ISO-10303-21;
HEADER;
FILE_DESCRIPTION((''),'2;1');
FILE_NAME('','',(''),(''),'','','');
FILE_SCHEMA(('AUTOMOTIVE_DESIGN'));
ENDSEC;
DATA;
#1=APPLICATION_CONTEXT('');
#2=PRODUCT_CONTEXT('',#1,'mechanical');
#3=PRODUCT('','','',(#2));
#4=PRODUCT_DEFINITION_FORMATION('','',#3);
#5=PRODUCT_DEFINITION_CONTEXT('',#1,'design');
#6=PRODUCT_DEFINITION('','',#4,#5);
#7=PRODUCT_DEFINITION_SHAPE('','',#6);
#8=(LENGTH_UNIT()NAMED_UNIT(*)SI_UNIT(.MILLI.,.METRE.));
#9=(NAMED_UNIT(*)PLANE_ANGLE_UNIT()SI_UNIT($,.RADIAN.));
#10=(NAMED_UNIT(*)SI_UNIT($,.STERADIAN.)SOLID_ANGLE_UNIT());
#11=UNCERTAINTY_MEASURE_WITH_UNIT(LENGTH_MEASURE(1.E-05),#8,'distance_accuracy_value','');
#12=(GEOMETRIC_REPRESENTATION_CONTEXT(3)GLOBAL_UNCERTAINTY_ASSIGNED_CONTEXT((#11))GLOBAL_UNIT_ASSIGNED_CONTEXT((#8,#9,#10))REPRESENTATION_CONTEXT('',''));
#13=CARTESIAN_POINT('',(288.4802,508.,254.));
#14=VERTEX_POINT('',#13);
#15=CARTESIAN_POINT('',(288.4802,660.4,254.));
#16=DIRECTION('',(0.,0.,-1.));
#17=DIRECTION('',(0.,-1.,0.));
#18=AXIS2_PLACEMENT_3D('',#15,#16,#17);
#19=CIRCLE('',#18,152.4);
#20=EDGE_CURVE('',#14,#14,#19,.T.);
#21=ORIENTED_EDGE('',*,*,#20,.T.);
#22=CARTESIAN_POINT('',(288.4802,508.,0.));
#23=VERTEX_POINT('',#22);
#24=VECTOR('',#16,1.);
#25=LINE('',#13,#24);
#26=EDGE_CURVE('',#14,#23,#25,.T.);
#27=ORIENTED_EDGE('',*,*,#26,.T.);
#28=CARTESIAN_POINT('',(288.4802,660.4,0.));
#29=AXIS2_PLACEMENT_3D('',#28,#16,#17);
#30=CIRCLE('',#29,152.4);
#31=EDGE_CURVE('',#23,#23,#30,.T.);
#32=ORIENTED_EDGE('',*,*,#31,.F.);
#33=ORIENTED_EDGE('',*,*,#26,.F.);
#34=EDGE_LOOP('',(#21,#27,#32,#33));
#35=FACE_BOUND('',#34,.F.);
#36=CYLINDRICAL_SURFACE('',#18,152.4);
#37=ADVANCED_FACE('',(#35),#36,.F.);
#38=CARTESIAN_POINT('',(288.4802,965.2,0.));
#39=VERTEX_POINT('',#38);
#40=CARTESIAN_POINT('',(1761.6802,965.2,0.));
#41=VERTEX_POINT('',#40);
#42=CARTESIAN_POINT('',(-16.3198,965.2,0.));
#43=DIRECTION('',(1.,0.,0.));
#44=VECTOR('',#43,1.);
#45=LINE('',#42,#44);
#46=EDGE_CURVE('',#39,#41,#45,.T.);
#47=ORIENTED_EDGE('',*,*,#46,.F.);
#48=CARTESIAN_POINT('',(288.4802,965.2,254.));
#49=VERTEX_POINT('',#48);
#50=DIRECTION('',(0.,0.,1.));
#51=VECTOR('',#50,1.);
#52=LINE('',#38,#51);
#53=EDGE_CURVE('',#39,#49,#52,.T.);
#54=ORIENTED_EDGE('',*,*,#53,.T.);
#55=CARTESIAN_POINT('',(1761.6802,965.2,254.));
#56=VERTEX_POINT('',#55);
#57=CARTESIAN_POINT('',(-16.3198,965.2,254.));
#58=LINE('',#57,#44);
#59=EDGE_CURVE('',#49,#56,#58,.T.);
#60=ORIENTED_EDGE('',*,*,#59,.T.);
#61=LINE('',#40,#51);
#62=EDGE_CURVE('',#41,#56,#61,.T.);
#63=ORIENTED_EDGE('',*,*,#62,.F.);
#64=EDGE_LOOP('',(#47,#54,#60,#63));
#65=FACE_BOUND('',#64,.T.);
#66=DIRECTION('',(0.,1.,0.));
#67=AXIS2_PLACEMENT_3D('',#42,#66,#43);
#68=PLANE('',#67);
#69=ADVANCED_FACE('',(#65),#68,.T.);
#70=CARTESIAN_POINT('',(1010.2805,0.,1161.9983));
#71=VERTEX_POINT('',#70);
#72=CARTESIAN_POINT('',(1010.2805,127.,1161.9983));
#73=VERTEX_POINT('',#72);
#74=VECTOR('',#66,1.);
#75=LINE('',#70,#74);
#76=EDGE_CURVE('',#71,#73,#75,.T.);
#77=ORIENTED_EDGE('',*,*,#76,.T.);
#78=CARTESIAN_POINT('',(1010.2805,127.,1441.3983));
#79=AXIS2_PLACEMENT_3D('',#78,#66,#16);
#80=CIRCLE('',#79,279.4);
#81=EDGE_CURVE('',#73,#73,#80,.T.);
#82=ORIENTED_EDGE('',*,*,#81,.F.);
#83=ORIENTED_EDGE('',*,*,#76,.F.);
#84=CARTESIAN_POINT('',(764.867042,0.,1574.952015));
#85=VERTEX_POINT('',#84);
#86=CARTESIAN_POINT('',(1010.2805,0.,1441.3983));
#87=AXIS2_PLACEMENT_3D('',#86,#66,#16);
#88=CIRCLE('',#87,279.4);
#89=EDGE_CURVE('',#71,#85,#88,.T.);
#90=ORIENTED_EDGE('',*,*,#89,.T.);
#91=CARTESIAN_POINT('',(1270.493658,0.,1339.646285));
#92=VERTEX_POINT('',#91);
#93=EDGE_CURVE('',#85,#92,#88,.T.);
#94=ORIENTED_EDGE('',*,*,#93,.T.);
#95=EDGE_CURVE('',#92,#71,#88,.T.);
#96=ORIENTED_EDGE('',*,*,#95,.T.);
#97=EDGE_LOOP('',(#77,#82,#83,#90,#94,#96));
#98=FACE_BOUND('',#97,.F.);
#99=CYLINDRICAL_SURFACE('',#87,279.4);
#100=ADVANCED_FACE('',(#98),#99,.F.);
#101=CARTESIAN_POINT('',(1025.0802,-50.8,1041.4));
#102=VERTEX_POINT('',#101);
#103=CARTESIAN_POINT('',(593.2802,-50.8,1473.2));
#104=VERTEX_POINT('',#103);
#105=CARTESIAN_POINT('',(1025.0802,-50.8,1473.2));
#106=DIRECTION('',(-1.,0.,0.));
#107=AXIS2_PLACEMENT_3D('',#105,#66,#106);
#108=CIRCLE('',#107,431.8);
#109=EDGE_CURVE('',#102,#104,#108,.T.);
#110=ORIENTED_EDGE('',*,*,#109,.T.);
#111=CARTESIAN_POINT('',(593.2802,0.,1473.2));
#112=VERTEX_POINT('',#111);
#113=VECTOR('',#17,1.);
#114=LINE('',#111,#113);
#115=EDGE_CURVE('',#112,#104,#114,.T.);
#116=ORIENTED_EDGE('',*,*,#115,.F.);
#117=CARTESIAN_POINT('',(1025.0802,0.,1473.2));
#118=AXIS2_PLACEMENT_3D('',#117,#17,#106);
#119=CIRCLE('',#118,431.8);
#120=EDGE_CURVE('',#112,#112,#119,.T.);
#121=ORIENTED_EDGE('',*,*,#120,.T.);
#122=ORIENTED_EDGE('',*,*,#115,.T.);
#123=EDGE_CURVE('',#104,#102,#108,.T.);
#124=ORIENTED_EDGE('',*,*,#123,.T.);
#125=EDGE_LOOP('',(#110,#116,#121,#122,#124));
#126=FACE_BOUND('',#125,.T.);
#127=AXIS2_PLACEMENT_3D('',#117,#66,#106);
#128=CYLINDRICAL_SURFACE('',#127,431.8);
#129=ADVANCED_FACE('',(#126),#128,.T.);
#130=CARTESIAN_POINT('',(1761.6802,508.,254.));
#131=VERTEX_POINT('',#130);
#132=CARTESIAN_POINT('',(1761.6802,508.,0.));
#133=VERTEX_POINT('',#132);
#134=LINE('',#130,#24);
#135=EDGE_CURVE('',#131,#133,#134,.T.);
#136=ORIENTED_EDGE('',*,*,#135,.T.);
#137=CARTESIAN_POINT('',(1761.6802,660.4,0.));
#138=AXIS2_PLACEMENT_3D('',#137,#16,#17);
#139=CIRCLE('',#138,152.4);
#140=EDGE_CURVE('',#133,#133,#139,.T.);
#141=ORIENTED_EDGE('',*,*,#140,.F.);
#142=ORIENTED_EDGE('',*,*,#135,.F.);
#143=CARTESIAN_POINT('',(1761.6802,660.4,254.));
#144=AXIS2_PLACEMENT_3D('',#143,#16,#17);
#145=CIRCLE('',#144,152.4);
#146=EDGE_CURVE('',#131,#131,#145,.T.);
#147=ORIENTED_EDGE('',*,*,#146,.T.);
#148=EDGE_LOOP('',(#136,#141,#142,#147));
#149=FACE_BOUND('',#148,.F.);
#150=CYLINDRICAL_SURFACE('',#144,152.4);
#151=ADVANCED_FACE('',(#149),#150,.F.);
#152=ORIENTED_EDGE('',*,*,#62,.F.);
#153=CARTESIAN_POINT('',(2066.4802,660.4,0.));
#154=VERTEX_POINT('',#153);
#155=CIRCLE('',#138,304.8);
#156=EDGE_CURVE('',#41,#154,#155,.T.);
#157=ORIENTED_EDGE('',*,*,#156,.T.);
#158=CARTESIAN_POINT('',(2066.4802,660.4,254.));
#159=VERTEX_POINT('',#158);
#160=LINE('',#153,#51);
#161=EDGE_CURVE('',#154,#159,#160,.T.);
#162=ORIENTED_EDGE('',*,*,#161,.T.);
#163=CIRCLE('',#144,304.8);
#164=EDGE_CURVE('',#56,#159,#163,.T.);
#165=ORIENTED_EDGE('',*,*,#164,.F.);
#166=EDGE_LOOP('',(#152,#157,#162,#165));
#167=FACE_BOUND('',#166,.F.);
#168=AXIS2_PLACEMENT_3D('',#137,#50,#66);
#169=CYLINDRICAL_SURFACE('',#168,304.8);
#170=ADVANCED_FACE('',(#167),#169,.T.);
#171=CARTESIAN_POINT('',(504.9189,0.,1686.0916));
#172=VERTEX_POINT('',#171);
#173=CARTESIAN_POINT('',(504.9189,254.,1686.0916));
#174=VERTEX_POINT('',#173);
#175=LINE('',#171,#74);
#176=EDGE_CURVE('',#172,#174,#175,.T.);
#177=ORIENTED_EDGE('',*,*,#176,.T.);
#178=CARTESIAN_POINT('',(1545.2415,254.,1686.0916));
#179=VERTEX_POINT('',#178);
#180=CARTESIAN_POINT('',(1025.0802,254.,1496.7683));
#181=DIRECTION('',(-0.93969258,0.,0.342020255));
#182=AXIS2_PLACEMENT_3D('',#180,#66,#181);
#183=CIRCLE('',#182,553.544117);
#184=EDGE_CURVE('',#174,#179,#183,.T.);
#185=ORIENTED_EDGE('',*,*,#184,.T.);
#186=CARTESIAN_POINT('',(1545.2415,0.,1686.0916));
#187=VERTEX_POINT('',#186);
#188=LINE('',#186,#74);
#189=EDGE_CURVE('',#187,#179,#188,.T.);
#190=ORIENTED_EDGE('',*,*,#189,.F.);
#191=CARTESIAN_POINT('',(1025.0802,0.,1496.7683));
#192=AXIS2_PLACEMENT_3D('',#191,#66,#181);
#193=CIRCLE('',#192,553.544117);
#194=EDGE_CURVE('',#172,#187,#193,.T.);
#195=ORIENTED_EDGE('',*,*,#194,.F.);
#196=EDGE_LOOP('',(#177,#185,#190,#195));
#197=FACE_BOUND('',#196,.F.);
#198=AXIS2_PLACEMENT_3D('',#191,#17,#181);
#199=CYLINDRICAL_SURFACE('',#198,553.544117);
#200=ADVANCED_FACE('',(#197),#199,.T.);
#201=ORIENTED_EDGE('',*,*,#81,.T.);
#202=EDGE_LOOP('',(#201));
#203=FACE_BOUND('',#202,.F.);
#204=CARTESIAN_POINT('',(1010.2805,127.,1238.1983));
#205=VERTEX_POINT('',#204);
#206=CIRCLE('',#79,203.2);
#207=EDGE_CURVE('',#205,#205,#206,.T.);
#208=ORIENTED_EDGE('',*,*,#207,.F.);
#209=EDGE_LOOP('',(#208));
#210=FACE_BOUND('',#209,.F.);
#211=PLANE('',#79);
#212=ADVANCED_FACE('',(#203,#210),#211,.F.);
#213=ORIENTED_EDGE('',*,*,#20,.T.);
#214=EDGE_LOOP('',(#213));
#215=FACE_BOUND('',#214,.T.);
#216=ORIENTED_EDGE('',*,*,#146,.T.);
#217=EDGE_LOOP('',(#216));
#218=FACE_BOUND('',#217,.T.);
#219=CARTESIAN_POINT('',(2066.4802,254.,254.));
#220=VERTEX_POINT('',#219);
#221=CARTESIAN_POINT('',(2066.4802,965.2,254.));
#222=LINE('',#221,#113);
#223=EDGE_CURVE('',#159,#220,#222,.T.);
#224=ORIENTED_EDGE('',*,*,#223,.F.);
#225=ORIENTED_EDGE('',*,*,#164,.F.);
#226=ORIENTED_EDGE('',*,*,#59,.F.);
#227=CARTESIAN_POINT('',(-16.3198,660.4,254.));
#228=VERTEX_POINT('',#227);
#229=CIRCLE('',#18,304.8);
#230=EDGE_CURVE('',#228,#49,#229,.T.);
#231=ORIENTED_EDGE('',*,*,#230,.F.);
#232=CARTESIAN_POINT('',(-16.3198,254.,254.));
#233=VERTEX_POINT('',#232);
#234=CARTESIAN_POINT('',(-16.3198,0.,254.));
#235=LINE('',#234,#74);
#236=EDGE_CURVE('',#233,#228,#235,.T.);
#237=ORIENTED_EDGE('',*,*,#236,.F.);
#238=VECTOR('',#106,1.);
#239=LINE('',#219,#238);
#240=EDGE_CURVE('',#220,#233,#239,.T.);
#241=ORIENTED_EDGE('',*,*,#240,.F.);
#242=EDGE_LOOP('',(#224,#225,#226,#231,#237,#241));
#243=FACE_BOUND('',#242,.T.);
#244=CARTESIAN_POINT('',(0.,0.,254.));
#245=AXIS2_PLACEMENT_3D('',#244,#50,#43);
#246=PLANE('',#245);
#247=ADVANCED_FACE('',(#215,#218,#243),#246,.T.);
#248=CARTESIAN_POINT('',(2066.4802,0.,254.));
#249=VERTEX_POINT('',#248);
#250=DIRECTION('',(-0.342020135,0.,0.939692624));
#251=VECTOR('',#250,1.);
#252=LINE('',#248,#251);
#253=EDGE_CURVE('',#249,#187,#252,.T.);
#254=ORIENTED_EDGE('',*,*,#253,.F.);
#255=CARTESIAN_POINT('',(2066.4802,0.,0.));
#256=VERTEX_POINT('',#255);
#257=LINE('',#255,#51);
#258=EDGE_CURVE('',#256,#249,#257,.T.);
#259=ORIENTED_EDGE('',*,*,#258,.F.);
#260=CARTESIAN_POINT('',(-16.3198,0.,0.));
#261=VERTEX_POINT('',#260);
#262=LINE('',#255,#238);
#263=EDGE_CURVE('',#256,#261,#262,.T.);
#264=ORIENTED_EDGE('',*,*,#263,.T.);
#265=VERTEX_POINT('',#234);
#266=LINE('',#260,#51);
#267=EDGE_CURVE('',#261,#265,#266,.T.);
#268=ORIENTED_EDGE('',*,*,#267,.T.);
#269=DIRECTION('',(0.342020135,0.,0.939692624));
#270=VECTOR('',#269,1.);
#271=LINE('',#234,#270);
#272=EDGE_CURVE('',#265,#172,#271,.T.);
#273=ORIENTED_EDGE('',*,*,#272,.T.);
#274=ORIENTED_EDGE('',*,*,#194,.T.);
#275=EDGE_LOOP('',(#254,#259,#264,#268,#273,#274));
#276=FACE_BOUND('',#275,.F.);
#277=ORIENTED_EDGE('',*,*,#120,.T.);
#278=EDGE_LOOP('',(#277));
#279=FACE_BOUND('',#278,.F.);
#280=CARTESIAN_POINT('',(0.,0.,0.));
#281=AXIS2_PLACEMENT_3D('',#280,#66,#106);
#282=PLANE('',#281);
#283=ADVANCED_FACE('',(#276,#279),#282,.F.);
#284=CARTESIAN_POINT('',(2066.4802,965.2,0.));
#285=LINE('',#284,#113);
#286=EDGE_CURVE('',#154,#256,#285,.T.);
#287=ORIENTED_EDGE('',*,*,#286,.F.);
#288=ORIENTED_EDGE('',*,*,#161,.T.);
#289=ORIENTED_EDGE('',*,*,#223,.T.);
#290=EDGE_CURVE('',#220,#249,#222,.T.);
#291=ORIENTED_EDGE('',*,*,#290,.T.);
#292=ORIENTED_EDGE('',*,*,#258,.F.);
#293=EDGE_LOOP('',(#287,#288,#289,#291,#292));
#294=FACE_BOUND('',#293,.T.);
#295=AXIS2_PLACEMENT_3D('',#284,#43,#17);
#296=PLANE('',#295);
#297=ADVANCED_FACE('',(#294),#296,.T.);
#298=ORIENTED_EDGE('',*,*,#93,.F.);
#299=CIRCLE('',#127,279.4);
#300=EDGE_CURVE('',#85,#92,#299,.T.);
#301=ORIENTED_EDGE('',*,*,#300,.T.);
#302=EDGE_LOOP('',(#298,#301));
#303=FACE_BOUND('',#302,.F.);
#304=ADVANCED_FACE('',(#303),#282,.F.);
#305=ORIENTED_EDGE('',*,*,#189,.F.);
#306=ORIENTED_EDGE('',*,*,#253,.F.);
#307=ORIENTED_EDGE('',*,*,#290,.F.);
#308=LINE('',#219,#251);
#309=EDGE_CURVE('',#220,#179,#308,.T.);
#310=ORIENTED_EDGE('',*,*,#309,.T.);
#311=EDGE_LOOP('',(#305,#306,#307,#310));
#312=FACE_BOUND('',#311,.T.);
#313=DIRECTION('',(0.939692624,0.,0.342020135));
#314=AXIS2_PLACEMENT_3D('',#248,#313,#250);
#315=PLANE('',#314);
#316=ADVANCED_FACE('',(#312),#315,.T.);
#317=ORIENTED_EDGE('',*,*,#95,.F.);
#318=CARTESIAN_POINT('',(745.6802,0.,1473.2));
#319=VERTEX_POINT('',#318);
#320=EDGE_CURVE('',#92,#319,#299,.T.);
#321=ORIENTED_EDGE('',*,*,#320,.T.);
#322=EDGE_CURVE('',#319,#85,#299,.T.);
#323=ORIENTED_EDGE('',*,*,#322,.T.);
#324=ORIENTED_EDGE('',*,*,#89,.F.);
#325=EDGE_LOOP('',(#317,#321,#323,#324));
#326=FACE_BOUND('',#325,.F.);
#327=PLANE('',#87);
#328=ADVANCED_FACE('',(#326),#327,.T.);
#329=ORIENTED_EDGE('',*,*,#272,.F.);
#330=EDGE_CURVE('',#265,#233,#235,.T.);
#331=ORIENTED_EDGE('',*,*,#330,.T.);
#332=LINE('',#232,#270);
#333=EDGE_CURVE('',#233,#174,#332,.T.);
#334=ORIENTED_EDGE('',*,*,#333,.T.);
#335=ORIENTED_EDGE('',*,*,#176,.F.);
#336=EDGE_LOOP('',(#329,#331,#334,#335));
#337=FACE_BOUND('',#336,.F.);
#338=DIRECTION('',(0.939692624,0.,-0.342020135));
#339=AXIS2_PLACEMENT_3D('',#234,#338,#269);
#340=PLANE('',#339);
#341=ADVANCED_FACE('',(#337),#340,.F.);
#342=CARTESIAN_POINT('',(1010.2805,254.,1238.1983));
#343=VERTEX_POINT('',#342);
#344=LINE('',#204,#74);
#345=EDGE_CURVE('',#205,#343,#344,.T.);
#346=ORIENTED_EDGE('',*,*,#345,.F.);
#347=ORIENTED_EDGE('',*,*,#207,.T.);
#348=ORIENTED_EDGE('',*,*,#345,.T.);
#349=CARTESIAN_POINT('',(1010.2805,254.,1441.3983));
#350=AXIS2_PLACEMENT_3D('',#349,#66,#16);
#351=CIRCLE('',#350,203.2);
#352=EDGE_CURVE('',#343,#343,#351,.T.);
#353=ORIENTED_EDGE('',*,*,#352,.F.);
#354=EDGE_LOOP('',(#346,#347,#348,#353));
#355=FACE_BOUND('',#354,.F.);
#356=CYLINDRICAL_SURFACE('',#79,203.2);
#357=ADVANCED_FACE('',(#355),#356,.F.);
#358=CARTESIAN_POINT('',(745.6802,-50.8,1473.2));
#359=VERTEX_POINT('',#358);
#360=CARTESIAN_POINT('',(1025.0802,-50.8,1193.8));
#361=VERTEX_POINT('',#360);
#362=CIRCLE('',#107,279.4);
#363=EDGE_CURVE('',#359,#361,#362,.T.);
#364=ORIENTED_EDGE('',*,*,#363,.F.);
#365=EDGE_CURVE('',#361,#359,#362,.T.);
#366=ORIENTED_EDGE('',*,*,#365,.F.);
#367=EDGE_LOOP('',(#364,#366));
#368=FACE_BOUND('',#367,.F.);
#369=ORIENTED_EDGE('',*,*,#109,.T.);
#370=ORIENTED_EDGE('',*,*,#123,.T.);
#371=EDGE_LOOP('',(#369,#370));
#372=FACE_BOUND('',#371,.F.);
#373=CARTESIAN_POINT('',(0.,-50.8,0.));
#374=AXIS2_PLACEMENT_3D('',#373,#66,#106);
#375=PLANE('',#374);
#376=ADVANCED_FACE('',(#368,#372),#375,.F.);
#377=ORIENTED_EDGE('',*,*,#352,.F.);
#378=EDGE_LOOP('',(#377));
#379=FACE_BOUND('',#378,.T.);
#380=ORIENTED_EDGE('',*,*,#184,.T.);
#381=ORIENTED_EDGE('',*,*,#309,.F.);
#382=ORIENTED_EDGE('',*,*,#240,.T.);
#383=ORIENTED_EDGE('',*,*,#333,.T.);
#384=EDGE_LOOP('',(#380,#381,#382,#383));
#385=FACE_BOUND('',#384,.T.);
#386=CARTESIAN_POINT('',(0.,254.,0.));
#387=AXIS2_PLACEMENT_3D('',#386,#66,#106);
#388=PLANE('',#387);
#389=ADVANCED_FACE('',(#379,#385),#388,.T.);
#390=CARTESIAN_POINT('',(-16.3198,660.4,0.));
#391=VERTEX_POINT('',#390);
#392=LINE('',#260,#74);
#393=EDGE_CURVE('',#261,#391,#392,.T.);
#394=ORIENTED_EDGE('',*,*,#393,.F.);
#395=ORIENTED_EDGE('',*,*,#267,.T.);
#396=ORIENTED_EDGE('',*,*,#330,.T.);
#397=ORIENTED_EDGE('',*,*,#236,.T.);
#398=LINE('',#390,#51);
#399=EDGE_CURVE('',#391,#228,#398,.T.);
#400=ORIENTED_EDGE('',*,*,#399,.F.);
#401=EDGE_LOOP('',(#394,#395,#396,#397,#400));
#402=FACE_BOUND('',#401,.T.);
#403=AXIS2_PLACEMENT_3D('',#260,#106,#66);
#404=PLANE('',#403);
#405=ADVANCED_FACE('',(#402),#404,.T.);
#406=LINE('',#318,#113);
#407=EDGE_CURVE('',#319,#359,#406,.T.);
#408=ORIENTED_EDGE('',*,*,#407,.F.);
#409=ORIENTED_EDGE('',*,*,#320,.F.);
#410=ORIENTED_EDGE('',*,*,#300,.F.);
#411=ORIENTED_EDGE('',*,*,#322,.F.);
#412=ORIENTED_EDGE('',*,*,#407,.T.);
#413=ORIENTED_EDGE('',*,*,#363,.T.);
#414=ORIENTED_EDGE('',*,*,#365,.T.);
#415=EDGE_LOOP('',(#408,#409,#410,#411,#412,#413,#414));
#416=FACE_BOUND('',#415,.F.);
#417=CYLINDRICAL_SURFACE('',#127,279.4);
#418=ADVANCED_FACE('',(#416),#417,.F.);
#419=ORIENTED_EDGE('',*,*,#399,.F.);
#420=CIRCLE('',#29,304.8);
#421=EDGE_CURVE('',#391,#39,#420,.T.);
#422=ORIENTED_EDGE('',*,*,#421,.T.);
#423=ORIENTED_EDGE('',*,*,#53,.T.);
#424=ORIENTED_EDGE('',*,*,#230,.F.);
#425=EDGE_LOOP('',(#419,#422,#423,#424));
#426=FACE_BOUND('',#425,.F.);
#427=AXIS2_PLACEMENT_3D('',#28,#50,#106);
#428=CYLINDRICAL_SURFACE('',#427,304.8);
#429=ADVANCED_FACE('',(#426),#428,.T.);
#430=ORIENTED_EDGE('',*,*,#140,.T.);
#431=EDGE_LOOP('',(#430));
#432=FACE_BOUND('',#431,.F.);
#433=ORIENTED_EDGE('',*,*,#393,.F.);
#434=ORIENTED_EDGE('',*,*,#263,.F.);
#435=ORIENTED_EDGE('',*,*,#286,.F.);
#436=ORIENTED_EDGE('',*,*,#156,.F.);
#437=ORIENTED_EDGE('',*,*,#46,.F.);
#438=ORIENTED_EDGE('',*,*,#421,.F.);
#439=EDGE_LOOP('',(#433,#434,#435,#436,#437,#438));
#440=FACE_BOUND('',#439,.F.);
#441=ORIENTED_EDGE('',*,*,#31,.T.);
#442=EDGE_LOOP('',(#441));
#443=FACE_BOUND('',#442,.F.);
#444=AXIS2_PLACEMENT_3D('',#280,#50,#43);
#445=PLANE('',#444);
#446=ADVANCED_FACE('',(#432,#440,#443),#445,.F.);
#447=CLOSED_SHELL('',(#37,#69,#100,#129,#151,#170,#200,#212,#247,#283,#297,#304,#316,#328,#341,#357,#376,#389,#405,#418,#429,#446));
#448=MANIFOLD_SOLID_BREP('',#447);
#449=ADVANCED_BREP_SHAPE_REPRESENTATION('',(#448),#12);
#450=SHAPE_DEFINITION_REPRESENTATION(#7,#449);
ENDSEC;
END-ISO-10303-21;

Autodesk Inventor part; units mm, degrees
ref_plane "YZ Plane" through (0, 0, 0) normal (1, 0, 0) x (0, 1, 0)
ref_plane "XZ Plane" through (0, 0, 0) normal (0, 1, 0) x (-1, 0, 0)
ref_plane "XY Plane" through (0, 0, 0) normal (0, 0, 1) x (1, 0, 0)
sketch "Sketch1" plane through (0, 0, 0) normal (0, 0, 1) x (1, 0, 0)
  line L0 (-16.3198, 0) -> (-16.3198, 965.2)
  line L1 (-16.3198, 965.2) -> (2066.4802, 965.2)
  line L2 (2066.4802, 965.2) -> (2066.4802, 0)
  line L3 (2066.4802, 0) -> (0, 0)
  line L4 (2066.4802, 0) -> (-16.3198, 0)
  dimension "d0" = 965.2
  dimension "d1" = 2082.8
extrude "Extrusion1" add sketch "Sketch1" along normal blind 254
fillet "Fillet1" radius 304.8 2 edges at (-16.3198, 965.2, 127) (2066.4802, 965.2, 127)
sketch "Sketch2" plane through (0, 0, 254) normal (0, 0, 1) x (1, 0, 0)
  arc A0 (288.4802, 965.2) -> (-16.3198, 660.4) centre (288.4802, 660.4) ccw projected
  circle A1 centre (288.4802, 660.4) radius 152.4
  point P0 (0, 0)
  dimension "d5" = 304.8
hole "Hole1" at (288.4802, 660.4, 254) direction (0, 0, -1) diameter 304.8 end through all
sketch "Sketch3" plane through (0, 0, 254) normal (0, 0, 1) x (1, 0, 0)
  arc A0 (2066.4802, 660.4) -> (1761.6802, 965.2) centre (1761.6802, 660.4) ccw projected
  circle A1 centre (1761.6802, 660.4) radius 152.4
  point P0 (0, 0)
  dimension "d13" = 304.8
hole "Hole2" at (1761.6802, 660.4, 254) direction (0, 0, -1) diameter 304.8 end through all
sketch "Sketch4" plane through (0, 0, 0) normal (0, 1, 0) x (-1, 0, 0)
  line L0 (16.3198, 254) -> (-2066.4802, 254) projected
  line L1 (16.3198, 254) -> (-1025.0802, 254)
  line L2 (-1025.0802, 254) -> (-1025.0802, 1473.2)
  line L3 (16.3198, 254) -> (-504.9189, 1686.0916)
  line L4 (16.3198, 254) -> (1540.3198, 254) construction
  line L5 (-2066.4802, 254) -> (-1545.2415, 1686.0916)
  line L6 (-2066.4802, 254) -> (-542.4802, 254) construction
  arc A0 (-504.9189, 1686.0916) -> (-1545.2415, 1686.0916) centre (-1025.0802, 1496.7683) ccw
  point P0 (0, 0)
  dimension "d21" = 1219.2
  dimension "d22" = 1524
  dimension "d23" = 110
  dimension "d24" = 1524
  dimension "d25" = 70
extrude "Extrusion2" add sketch "Sketch4" along normal blind 254
sketch "Sketch5" plane through (0, 0, 0) normal (0, 0, -1) x (-1, 0, 0)
  point P0 (0, 0)
  point P1 (-179.0917, -175.9118)
  point P2 (-179.0917, -175.9118)
sketch "Sketch6" plane through (0, 0, 0) normal (0, 1, 0) x (-1, 0, 0)
  line L0 (-2066.4802, 0) -> (-2066.4802, 254) projected
  line L1 (-2066.4802, 0) -> (-1025.0802, 0)
  line L2 (-1609.2802, 0) -> (-1914.0802, 0) projected
  line L3 (-1025.0802, 0) -> (-1025.0802, 1473.2)
  circle A0 centre (-1025.0802, 1473.2) radius 203.2
  circle A1 centre (-1025.0802, 1473.2) radius 279.4
  circle A2 centre (-1025.0802, 1473.2) radius 431.8
  point P0 (0, 0)
  dimension "d28" = 1041.4
  dimension "d29" = 1473.2
  dimension "d30" = 406.4
  dimension "d31" = 558.8
  dimension "d32" = 863.6
extrude "Extrusion3" add sketch "Sketch6" against normal blind 50.8 contours A2
sketch "Sketch7" plane through (0, 0, 0) normal (0, 1, 0) x (-1, 0, 0)
  circle A0 centre (-1025.0802, 1473.2) radius 279.4 projected
  circle A1 centre (-1025.0802, 1473.2) radius 203.2
  point P0 (0, 0)
  point P1 (-1010.2805, 1441.3983)
  dimension "d35" = 406.4
hole "Hole3" at (1010.2805, 0, 1441.3983) direction (0, 1, 0) diameter 406.4 end through all counterbore diameter 558.8 counterbore depth 127
sketch "Sketch8" plane through (1025.0802, -50.8, 1473.2) normal (0, -1, 0) x (1, 0, 0)
  point P0 (-1025.0802, -1473.2)
properties part number "axle support"
